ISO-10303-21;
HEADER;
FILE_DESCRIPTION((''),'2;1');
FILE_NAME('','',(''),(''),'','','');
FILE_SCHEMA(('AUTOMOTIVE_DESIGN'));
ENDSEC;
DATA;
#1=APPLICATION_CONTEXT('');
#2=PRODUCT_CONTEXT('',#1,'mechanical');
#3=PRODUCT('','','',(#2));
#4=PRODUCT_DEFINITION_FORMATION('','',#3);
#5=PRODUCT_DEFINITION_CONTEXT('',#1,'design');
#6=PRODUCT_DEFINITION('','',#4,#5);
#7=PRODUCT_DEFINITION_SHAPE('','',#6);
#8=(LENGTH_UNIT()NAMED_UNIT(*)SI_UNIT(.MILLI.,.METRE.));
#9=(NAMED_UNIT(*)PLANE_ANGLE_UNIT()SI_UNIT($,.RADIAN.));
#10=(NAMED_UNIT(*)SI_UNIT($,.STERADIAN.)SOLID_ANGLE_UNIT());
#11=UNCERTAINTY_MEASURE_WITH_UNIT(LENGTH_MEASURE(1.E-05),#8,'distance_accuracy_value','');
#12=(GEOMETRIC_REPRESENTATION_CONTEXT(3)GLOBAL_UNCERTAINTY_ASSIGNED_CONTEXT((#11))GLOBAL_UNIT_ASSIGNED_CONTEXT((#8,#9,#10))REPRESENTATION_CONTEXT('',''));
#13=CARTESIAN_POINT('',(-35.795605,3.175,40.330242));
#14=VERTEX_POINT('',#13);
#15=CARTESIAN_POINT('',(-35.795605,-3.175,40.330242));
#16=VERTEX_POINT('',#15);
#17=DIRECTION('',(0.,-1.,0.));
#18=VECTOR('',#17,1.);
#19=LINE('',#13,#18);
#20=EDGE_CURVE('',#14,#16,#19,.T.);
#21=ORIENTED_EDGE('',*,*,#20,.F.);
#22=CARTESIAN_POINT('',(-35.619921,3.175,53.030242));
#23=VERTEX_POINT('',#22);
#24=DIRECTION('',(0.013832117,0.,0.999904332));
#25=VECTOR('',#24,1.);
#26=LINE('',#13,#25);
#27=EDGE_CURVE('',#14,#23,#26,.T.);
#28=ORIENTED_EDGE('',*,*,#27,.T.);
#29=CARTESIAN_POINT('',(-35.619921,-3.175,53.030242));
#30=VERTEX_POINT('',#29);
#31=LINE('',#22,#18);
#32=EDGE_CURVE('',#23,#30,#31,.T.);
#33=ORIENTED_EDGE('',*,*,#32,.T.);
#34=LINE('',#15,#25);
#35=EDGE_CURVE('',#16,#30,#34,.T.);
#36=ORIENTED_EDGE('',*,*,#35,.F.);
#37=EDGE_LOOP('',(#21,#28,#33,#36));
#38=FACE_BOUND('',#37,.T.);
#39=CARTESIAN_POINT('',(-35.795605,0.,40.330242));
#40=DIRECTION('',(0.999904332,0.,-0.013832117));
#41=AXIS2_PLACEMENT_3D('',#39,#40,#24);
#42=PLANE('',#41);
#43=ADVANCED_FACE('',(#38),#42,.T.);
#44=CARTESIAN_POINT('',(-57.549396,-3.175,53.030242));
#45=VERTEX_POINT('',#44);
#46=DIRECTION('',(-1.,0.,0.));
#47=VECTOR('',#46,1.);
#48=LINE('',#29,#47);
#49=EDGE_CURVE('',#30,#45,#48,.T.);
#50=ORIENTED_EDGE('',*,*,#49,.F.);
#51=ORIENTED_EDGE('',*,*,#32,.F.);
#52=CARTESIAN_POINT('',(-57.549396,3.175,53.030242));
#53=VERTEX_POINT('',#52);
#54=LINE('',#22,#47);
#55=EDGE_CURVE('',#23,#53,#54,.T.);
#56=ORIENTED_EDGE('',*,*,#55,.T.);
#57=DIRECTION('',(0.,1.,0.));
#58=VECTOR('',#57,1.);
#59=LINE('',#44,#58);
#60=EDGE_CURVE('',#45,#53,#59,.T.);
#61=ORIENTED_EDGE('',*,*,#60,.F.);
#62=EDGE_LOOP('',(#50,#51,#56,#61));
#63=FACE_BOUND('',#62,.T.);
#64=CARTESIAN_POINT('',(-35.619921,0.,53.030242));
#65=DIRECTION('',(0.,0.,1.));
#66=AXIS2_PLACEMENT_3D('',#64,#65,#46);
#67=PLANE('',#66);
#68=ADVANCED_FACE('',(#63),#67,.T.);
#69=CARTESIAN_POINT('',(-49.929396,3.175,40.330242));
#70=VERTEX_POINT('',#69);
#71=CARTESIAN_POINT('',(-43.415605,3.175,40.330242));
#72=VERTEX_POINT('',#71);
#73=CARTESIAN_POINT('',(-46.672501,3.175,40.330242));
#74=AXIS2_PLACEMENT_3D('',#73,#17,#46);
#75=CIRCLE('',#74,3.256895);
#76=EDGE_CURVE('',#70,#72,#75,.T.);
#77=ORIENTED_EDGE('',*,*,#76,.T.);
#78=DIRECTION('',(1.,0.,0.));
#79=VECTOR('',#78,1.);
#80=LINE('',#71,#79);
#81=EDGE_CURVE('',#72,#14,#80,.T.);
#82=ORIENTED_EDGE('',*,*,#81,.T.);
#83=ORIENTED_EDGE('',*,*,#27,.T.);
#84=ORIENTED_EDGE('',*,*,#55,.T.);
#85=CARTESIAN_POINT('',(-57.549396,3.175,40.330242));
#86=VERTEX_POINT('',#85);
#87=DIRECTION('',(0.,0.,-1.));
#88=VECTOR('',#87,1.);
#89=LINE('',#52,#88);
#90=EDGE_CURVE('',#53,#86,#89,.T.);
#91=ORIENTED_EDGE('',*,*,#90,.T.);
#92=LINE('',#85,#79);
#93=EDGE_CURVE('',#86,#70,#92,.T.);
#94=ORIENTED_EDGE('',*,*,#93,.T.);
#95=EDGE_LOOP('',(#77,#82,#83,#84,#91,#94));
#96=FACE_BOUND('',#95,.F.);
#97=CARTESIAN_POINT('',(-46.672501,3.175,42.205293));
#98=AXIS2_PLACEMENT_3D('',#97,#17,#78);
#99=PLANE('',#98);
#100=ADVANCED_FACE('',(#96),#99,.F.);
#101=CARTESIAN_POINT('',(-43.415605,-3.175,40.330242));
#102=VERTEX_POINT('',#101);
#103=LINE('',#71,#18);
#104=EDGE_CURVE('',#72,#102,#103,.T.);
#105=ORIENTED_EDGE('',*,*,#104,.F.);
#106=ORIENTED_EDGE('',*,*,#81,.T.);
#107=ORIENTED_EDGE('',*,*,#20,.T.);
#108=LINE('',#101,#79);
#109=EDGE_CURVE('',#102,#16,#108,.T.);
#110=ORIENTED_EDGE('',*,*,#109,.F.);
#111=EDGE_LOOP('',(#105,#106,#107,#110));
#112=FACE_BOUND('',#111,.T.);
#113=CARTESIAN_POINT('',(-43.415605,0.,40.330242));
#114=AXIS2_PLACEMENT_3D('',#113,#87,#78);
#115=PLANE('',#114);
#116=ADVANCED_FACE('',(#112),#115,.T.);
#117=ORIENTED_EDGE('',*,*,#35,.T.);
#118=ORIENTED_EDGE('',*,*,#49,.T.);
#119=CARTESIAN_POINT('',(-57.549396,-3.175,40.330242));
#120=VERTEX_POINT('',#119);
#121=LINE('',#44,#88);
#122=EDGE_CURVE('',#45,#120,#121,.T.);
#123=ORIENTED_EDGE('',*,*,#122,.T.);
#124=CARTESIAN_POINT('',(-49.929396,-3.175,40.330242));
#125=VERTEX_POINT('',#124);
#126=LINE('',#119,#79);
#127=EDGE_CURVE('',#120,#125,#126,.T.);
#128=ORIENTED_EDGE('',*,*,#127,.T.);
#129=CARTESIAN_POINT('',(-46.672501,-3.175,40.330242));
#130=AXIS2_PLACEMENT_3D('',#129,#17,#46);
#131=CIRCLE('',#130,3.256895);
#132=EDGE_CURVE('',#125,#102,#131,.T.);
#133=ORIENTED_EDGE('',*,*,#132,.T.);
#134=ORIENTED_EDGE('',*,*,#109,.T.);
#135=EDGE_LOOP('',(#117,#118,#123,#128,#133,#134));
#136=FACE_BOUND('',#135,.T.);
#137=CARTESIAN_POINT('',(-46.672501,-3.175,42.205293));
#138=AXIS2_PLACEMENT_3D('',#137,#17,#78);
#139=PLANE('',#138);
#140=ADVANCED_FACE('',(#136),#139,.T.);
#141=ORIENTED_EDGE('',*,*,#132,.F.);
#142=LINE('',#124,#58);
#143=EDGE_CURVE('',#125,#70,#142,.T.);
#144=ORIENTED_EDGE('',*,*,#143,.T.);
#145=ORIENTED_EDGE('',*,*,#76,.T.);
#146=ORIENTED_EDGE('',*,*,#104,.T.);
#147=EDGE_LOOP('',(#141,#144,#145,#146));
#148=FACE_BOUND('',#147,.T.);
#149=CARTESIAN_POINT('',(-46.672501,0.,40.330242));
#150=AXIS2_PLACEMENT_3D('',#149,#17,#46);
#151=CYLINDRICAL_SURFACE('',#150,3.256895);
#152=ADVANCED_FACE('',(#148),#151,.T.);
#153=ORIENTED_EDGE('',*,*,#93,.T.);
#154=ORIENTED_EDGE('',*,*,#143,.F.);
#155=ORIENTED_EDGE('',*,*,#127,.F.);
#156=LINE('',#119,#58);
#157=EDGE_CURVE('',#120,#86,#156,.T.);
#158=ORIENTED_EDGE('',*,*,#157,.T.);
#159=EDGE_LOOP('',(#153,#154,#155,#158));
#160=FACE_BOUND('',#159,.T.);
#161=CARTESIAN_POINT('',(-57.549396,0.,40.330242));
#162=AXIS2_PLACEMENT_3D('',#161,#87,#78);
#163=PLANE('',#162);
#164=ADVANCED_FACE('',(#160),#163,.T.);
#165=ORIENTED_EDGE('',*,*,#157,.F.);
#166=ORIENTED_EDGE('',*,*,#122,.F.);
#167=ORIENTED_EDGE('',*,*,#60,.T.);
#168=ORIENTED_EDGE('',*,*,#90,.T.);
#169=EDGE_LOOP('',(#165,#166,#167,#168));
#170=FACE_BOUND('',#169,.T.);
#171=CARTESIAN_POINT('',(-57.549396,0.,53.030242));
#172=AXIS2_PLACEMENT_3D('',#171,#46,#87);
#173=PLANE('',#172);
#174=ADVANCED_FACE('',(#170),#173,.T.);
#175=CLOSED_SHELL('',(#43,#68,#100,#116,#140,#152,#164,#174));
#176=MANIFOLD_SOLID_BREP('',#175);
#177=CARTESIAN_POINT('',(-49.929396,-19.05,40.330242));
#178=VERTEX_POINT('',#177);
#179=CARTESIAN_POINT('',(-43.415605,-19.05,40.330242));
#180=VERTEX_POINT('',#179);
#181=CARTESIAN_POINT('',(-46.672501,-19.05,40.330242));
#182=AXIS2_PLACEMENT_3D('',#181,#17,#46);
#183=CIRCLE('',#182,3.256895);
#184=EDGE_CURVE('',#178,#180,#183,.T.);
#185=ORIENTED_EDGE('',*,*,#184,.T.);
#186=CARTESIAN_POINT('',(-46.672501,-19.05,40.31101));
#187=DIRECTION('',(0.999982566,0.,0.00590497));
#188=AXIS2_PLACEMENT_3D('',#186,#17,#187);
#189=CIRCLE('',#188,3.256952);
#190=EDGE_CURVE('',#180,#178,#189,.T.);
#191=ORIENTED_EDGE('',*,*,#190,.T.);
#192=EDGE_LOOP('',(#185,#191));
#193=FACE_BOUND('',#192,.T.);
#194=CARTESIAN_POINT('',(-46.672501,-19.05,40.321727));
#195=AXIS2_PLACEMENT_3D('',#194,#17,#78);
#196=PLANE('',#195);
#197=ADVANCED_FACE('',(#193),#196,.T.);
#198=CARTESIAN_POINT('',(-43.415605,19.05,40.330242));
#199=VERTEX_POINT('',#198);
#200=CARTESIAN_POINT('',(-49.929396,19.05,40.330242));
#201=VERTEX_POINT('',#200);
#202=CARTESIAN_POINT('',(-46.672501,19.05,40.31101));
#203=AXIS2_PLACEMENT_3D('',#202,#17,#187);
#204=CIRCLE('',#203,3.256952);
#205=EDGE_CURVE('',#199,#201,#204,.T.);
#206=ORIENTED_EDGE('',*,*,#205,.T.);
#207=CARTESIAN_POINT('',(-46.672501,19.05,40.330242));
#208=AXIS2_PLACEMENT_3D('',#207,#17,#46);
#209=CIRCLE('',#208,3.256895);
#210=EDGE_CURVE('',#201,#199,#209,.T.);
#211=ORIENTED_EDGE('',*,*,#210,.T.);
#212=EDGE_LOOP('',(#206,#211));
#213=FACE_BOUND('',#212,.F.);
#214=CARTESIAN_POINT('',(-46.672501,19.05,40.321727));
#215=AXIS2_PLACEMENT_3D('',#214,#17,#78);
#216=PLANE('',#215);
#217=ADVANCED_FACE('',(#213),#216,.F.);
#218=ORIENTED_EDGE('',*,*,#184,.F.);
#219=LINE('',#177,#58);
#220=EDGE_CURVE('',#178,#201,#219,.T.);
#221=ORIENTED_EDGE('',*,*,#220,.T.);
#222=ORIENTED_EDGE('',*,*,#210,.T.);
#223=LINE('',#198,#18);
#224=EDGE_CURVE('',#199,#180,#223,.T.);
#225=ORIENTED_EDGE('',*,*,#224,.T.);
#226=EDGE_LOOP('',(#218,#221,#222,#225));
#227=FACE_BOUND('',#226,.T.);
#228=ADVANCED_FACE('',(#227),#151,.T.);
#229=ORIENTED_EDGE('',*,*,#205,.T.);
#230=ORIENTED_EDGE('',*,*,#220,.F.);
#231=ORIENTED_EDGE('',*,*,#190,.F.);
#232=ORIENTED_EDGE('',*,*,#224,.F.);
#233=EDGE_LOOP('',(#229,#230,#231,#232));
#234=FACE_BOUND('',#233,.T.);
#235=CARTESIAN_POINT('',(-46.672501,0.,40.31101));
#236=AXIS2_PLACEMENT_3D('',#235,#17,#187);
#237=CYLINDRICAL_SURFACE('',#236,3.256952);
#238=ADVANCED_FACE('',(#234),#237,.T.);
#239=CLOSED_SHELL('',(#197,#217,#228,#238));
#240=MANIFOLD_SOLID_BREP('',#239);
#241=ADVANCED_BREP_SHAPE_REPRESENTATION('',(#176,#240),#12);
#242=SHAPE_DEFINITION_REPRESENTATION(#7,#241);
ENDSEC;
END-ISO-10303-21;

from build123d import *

# Parameters (mm, degrees)
F1_DEPTH = 19.05
F2_DEPTH = 3.175


with BuildPart() as f1:
    # F0 (on Front) → F1 (new body, symmetric)
    with BuildSketch(Plane.XZ):
        with BuildLine():
            ThreePointArc((-49.9293961003, 40.3302423656), (-46.67250067, 37.0733469353), (-43.4156052396, 40.3302423656))
            ThreePointArc((-43.4156052396, 40.3302423656), (-46.67250067, 43.5679623749), (-49.9293961003, 40.3302423656))
        make_face()
    extrude(amount=F1_DEPTH, both=True)


with BuildPart() as f2:
    # F0 (on Front) → F2 (new body, symmetric)
    with BuildSketch(Plane.XZ):
        with BuildLine():
            ThreePointArc((-49.9293961003, 40.3302423656), (-46.67250067, 43.5679623749), (-43.4156052396, 40.3302423656))
            ThreePointArc((-43.4156052396, 40.3302423656), (-46.67250067, 43.5871377959), (-49.9293961003, 40.3302423656))
        make_face()
        with BuildLine():
            ThreePointArc((-49.9293961003, 40.3302423656), (-46.67250067, 37.0733469353), (-43.4156052396, 40.3302423656))
            ThreePointArc((-43.4156052396, 40.3302423656), (-46.67250067, 43.5679623749), (-49.9293961003, 40.3302423656))
        make_face()
        with BuildLine():
            ThreePointArc((-49.9293961003, 40.3302423656), (-46.67250067, 43.5871377959), (-43.4156052396, 40.3302423656))
            Line((-43.4156052396, 40.3302423656), (-35.7956052396, 40.3302423656))
            Line((-35.7956052396, 40.3302423656), (-35.6199205491, 53.0302423656))
            Line((-35.6199205491, 53.0302423656), (-57.5493961003, 53.0302423656))
            Line((-57.5493961003, 53.0302423656), (-57.5493961003, 40.3302423656))
            Line((-57.5493961003, 40.3302423656), (-49.9293961003, 40.3302423656))
        make_face()
    extrude(amount=F2_DEPTH, both=True)


solid = Compound([f1.part, f2.part])
